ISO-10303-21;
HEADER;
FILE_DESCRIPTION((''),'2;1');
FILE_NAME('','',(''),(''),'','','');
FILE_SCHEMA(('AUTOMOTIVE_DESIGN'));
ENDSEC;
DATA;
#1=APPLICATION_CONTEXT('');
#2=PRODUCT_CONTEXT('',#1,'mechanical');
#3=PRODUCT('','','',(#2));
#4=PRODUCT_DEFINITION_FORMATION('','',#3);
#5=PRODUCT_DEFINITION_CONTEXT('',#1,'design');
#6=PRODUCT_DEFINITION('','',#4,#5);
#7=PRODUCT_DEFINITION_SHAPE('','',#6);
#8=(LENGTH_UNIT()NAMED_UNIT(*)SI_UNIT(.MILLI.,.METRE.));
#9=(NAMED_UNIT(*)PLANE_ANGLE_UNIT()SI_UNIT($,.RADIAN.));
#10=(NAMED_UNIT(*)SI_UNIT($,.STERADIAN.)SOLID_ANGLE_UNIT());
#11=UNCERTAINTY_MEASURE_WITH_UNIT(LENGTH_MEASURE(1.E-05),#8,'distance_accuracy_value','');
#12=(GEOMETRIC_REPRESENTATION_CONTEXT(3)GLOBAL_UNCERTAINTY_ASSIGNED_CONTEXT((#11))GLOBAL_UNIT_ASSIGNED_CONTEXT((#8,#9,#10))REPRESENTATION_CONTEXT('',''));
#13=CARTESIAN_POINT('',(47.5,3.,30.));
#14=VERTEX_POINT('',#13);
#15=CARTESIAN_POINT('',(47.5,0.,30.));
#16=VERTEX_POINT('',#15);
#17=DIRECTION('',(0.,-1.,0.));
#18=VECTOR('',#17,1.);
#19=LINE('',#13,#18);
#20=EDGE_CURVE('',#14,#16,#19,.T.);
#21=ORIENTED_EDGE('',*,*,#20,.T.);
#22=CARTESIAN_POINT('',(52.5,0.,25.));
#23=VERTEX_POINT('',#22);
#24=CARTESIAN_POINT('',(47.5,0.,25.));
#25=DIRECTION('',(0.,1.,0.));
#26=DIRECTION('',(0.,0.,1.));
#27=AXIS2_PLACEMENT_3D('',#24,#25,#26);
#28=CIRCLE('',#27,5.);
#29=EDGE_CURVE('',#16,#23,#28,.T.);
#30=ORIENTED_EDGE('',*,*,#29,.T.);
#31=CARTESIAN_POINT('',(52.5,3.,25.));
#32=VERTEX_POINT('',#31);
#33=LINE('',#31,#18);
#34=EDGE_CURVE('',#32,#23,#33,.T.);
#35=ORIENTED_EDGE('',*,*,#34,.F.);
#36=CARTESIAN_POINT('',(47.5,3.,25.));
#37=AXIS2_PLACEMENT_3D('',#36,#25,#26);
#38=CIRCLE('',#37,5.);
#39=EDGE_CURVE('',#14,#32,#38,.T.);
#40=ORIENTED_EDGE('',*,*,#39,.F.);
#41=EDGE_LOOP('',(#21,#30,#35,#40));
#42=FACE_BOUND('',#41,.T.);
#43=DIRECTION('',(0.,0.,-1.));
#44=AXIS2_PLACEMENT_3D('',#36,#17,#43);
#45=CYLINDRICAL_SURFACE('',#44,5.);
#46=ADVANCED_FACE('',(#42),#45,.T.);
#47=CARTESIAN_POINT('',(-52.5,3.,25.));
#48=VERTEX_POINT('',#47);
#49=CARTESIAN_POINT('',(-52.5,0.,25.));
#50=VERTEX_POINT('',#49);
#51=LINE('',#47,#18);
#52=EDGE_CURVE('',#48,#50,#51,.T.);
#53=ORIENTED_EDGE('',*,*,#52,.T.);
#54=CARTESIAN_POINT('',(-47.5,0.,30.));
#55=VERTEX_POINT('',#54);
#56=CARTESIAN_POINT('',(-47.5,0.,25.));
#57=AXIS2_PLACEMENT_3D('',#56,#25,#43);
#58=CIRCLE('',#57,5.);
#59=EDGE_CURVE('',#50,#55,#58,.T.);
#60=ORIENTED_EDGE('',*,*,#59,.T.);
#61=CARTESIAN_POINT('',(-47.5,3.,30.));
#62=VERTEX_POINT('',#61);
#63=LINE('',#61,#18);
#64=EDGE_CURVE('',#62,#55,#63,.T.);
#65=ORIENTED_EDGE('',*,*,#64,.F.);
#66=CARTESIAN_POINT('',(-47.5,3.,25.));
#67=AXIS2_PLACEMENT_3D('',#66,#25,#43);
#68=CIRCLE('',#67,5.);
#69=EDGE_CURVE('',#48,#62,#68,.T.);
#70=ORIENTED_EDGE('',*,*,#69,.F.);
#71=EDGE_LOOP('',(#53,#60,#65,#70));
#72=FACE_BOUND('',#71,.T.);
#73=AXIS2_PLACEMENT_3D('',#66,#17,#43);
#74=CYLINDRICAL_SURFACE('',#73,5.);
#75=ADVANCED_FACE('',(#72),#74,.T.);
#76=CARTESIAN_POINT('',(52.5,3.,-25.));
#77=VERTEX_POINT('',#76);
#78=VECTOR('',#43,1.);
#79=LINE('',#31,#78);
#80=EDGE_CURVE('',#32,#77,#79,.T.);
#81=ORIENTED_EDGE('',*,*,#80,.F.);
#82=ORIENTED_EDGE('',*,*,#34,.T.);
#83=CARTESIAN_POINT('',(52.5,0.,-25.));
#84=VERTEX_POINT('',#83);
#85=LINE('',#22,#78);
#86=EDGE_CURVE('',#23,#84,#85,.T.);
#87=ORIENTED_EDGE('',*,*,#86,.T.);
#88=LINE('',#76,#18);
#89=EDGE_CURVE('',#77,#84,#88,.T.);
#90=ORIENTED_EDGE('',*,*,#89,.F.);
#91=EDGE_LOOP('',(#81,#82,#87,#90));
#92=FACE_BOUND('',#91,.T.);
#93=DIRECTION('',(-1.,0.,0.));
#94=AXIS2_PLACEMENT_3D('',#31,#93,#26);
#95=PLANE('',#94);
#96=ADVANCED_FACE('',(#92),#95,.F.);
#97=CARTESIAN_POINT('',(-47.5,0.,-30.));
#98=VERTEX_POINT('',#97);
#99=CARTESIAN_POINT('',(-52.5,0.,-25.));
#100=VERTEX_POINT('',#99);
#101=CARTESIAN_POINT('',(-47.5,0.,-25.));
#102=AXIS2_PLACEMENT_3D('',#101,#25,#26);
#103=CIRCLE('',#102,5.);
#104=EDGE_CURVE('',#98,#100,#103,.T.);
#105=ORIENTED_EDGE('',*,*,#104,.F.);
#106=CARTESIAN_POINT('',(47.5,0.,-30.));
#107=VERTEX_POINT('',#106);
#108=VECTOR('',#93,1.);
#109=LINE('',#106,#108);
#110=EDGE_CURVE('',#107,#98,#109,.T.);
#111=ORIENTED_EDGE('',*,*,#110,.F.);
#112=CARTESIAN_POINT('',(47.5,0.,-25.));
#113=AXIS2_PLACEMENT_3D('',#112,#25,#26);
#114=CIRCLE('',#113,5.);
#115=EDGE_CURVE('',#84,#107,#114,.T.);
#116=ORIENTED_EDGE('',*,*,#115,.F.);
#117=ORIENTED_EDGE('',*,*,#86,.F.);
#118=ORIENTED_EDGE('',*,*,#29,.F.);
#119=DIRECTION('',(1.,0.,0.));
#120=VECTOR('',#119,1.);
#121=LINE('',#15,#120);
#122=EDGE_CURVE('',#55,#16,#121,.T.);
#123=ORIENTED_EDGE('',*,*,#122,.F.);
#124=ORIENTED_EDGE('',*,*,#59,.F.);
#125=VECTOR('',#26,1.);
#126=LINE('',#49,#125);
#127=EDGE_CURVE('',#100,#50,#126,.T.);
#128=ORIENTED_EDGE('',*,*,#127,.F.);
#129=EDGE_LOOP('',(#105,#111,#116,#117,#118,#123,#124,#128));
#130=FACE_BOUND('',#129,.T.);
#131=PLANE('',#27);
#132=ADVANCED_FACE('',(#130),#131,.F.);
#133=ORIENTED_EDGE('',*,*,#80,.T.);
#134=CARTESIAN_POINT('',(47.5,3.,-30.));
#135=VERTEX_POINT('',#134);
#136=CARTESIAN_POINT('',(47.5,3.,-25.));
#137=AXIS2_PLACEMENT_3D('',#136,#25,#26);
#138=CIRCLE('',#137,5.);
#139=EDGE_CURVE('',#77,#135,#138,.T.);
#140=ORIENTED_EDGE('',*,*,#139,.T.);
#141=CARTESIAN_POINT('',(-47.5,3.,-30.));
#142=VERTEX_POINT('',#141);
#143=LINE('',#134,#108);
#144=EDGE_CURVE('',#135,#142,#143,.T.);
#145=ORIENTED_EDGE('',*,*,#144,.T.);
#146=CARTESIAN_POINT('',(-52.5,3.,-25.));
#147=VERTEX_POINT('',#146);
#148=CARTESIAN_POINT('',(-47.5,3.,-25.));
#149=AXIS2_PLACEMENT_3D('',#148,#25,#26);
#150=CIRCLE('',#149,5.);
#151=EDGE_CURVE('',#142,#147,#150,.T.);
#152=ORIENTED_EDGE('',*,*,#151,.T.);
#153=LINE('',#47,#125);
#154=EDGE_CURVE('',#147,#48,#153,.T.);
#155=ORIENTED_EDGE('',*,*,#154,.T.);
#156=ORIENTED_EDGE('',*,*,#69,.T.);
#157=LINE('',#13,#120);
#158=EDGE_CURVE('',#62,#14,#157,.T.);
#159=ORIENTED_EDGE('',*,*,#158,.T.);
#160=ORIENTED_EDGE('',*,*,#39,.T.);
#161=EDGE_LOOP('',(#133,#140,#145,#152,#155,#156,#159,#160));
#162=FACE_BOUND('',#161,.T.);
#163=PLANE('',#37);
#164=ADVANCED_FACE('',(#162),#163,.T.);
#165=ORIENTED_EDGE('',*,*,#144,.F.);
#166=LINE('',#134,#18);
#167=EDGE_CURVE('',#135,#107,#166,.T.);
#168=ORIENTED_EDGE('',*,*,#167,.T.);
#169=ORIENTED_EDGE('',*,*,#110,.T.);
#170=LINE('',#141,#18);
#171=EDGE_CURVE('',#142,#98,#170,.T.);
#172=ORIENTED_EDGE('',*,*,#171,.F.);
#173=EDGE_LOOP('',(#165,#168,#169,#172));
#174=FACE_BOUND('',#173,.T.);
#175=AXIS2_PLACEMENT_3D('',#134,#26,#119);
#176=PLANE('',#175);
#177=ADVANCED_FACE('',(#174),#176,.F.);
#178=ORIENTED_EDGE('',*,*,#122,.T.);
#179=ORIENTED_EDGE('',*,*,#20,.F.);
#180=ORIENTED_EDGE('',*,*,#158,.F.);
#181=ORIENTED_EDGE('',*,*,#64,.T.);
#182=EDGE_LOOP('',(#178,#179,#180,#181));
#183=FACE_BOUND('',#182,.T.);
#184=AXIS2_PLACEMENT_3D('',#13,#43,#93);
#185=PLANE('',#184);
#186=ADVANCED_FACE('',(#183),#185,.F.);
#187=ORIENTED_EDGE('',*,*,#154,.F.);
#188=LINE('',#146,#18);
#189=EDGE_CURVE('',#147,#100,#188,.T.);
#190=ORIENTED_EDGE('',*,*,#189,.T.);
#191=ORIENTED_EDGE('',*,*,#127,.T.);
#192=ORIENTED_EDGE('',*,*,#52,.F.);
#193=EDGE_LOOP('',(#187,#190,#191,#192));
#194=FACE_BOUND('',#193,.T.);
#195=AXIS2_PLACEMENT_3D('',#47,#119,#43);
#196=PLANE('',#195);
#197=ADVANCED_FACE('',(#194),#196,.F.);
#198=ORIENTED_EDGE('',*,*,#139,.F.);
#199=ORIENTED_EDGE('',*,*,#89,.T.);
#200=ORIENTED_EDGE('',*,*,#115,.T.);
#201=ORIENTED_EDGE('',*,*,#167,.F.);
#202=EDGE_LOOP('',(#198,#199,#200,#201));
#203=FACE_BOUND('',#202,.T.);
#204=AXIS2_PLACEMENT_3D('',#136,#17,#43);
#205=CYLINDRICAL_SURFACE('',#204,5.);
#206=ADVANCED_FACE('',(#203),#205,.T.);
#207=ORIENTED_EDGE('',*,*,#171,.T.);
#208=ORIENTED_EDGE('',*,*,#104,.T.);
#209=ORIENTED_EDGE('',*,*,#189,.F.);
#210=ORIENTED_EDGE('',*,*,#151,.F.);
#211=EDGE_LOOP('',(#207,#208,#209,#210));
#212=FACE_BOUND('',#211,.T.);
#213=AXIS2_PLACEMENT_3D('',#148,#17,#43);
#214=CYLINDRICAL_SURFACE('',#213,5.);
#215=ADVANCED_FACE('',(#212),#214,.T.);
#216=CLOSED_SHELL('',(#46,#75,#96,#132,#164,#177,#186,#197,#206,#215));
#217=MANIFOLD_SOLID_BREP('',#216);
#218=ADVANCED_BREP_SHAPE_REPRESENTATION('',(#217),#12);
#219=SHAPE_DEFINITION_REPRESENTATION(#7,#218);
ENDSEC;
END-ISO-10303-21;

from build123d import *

# Parameters (mm, degrees)
BOSS_EXTRUDE1_DEPTH = 3


with BuildPart() as part:
    # Sketch1 → Boss-Extrude1 (new body)
    with BuildSketch(Plane(origin=(0, 0, 0), x_dir=(1, 0, 0), z_dir=(0, 1, 0))):
        with BuildLine():
            Line((47.5, -30), (-47.5, -30))
            ThreePointArc((-47.5, -30), (-51.035533906, -28.535533906), (-52.5, -25))
            Line((-52.5, -25), (-52.5, 25))
            ThreePointArc((-52.5, 25), (-51.035533906, 28.535533906), (-47.5, 30))
            Line((-47.5, 30), (47.5, 30))
            ThreePointArc((47.5, 30), (51.035533906, 28.535533906), (52.5, 25))
            Line((52.5, 25), (52.5, -25))
            ThreePointArc((52.5, -25), (51.035533906, -28.535533906), (47.5, -30))
        make_face()
    extrude(amount=BOSS_EXTRUDE1_DEPTH)


solid = part.part
